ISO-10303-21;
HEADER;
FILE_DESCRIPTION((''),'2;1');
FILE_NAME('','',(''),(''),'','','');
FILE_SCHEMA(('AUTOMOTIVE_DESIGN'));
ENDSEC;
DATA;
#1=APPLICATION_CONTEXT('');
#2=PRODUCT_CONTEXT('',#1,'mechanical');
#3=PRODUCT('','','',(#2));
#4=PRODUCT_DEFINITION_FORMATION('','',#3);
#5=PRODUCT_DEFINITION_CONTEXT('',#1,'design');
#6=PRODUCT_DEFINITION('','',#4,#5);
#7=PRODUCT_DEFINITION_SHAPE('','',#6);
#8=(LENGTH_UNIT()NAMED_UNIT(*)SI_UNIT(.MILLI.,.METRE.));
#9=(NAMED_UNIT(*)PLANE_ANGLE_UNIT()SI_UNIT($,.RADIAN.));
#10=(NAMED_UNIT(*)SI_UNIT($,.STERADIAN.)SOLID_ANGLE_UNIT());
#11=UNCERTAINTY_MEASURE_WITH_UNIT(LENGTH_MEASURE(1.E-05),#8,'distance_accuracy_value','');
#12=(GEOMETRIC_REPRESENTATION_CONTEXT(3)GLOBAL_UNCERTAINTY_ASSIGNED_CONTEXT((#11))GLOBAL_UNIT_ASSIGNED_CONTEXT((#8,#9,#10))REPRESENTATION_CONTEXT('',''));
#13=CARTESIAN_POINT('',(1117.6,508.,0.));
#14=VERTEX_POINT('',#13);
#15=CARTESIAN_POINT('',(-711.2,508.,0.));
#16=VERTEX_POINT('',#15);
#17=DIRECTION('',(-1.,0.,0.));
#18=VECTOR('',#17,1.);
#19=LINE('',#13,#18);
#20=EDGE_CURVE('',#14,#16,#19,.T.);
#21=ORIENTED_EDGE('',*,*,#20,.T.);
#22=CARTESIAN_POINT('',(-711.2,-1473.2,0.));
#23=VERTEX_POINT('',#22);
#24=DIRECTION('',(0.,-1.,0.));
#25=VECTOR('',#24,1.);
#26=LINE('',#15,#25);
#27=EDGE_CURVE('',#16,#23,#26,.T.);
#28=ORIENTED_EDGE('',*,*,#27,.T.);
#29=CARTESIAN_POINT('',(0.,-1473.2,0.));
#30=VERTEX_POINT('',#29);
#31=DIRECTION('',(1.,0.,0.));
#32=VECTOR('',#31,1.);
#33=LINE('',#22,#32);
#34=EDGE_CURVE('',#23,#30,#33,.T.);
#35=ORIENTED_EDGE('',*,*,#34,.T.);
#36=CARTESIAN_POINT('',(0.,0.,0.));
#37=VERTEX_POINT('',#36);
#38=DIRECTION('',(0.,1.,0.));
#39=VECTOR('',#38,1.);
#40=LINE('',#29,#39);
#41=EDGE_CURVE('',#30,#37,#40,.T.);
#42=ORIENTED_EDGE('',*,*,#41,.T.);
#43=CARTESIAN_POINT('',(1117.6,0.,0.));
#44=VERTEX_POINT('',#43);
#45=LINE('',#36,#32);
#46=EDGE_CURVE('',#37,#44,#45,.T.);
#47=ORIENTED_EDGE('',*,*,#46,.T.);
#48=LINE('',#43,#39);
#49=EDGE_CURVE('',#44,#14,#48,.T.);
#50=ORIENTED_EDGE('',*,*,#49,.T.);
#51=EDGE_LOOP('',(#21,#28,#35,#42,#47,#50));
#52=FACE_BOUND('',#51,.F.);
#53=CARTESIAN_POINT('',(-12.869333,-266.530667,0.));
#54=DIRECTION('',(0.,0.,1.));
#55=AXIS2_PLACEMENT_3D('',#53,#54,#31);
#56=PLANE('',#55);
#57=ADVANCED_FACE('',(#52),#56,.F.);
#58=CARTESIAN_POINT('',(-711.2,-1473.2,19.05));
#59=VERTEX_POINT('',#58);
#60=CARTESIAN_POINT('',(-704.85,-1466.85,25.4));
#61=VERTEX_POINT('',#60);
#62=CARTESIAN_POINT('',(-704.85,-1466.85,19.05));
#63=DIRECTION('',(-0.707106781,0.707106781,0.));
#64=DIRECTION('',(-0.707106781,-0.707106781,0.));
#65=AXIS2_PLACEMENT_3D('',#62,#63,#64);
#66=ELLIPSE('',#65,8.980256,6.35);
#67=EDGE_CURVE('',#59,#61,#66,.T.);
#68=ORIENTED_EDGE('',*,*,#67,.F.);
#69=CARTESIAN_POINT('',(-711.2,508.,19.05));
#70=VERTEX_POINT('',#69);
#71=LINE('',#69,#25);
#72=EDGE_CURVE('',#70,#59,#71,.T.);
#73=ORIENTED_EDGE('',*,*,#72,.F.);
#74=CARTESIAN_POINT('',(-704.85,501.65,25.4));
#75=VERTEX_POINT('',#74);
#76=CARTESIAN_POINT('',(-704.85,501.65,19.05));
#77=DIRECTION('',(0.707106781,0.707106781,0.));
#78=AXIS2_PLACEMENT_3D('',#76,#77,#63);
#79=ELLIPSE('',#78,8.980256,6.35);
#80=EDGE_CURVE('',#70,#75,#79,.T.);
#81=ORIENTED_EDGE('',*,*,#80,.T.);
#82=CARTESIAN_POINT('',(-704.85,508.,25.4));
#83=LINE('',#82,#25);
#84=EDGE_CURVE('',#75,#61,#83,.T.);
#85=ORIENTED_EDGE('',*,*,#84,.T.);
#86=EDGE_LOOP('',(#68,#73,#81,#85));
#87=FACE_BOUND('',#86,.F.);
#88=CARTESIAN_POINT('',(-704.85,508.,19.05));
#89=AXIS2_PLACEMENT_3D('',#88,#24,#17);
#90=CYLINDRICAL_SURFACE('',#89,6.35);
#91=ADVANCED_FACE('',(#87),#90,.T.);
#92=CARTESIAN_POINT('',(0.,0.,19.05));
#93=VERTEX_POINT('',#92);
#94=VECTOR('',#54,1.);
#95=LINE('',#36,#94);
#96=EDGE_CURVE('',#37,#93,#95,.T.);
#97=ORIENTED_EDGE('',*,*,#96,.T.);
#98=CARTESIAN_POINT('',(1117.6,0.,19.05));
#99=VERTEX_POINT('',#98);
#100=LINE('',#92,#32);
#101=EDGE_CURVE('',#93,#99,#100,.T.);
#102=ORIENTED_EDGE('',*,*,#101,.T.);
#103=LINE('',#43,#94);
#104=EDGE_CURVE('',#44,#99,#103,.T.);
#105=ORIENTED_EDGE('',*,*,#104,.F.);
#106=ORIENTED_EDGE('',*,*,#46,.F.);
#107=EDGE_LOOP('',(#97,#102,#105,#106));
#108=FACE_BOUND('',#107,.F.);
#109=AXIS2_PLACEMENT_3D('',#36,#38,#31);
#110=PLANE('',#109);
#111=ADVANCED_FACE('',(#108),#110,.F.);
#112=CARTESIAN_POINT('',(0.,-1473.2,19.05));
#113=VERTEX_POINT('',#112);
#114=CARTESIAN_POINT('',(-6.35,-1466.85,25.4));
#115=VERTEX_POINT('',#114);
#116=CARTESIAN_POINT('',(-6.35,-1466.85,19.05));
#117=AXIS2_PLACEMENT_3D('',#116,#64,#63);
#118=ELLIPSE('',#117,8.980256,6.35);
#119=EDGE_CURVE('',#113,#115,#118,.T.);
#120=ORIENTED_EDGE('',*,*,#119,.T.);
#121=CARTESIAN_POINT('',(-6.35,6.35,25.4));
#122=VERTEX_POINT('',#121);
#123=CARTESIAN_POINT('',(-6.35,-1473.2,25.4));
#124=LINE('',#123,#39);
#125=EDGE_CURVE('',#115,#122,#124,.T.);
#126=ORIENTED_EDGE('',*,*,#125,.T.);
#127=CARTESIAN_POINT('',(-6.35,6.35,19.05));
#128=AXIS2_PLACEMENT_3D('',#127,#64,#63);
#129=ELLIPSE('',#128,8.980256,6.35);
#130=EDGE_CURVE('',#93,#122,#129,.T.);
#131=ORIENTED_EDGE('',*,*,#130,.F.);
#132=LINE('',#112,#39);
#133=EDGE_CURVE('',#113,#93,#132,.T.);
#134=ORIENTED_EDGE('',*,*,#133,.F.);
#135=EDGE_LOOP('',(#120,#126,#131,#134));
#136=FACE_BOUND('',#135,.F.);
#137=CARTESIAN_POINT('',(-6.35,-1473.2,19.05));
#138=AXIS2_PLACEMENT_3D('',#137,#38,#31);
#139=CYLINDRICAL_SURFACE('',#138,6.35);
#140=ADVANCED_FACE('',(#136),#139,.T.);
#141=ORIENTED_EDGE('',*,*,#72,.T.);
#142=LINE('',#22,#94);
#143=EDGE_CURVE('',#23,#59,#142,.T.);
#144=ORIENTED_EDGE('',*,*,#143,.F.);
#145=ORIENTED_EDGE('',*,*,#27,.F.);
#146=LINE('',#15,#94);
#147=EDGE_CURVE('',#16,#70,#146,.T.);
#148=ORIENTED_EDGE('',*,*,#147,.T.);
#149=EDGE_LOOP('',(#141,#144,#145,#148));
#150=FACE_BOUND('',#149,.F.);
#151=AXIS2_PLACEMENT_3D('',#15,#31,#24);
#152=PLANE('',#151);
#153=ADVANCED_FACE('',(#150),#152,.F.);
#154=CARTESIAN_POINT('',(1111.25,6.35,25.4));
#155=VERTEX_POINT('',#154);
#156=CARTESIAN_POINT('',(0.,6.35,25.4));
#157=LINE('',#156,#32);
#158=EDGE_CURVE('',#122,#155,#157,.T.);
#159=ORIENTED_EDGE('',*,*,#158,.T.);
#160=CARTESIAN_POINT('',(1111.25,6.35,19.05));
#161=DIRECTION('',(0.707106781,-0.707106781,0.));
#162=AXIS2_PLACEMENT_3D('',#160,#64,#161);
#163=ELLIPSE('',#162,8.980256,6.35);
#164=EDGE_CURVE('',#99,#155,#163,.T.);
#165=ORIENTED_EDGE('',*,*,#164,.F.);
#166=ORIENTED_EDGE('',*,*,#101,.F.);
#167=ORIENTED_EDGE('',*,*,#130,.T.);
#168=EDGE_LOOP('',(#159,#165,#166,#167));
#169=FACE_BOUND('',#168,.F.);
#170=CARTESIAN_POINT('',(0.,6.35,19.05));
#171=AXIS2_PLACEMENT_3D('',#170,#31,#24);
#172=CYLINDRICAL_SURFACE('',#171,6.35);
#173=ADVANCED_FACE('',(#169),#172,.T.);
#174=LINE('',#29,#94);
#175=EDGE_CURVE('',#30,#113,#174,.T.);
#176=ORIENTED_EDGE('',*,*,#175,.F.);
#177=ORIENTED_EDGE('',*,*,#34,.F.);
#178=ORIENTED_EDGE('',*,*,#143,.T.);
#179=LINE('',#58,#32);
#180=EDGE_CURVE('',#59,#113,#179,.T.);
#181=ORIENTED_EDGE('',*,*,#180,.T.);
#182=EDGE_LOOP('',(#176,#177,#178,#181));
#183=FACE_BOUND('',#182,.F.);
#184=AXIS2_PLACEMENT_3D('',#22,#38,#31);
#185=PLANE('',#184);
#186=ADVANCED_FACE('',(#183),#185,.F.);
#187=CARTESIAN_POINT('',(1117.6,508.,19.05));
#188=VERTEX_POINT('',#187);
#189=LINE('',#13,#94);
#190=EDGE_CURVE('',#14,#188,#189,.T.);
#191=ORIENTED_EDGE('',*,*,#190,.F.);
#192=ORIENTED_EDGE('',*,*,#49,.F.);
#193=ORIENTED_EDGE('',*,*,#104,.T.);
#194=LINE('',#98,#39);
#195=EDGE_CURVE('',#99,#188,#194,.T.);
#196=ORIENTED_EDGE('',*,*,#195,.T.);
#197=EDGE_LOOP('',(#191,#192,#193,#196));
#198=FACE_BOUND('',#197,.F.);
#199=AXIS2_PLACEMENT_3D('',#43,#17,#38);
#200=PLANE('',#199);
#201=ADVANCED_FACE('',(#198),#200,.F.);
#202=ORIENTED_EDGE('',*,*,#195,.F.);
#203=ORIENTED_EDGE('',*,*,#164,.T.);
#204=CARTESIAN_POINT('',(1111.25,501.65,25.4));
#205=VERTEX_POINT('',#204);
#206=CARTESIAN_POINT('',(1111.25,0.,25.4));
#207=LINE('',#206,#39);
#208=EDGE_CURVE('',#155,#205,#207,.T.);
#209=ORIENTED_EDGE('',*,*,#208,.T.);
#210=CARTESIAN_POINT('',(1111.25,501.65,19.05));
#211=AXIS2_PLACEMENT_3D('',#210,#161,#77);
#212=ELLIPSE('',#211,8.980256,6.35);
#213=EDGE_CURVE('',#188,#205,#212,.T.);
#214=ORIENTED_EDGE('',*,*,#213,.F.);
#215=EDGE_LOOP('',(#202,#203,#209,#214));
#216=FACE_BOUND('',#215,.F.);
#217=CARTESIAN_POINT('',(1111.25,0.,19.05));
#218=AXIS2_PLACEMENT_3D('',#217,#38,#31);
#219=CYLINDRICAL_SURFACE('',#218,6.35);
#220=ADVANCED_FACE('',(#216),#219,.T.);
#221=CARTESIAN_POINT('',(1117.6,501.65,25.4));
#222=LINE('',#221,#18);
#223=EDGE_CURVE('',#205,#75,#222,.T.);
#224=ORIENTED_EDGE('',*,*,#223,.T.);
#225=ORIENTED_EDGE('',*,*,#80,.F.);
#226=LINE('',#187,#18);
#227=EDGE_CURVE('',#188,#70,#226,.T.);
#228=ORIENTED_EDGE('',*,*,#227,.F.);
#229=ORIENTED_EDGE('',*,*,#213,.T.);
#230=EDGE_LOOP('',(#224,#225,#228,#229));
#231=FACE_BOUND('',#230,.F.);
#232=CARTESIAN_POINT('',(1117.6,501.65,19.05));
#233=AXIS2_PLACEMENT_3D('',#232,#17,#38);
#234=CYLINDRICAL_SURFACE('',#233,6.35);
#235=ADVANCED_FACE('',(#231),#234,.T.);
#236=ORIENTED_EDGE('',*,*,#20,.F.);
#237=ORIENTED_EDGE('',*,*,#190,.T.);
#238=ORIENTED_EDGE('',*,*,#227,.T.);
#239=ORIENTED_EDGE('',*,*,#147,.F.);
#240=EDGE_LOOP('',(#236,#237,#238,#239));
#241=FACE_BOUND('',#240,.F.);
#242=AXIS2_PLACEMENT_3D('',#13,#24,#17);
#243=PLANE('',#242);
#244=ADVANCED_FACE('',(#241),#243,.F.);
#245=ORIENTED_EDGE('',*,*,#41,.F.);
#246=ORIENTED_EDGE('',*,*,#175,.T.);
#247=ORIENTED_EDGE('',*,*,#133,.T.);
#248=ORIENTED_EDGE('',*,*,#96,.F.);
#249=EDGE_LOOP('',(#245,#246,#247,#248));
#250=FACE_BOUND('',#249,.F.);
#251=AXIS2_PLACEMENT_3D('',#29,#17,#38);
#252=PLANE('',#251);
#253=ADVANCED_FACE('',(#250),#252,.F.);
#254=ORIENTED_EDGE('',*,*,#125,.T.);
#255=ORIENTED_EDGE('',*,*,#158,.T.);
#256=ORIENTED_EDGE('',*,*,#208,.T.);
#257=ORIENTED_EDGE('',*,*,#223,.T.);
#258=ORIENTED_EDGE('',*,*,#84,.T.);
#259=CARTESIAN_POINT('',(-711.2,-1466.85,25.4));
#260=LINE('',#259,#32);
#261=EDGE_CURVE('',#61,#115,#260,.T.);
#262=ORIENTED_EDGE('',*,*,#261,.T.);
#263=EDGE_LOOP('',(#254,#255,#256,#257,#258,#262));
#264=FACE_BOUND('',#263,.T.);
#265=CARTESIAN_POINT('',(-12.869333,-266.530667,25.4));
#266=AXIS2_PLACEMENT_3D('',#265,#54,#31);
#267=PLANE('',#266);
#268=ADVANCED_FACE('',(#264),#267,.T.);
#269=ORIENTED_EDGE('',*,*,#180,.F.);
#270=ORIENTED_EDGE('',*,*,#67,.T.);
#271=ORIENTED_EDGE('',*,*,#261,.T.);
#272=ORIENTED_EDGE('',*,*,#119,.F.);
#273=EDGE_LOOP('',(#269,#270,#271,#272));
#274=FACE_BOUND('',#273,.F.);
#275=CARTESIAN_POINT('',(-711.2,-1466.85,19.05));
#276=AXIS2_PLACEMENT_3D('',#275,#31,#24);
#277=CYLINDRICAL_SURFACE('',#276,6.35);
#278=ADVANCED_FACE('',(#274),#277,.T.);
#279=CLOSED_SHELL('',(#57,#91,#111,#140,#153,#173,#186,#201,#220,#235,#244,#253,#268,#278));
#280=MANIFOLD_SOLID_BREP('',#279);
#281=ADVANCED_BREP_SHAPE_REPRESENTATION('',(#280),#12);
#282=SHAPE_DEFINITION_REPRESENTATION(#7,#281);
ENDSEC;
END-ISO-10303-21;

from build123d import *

# Parameters (mm, degrees)
F1_DEPTH = 25.4
F2_R     = 6.35


with BuildPart() as f1:
    # F0 (on Top) → F1 (new body)
    with BuildSketch(Plane.XY):
        Polygon((0, -1473.2), (0, 0), (1117.6, 0), (1117.6, 508), (-711.2, 508), (-711.2, -1473.2), align=None)
    extrude(amount=F1_DEPTH)

    # F2
    f2_edges = [f1.edges().sort_by_distance(p)[0] for p in [
        (0, -736.6, 25.4),
        (558.8, 0, 25.4),
        (1117.6, 254, 25.4),
        (203.2, 508, 25.4),
        (-711.2, -482.6, 25.4),
        (-355.6, -1473.2, 25.4),
    ]]
    fillet(f2_edges, radius=F2_R)


solid = f1.part
